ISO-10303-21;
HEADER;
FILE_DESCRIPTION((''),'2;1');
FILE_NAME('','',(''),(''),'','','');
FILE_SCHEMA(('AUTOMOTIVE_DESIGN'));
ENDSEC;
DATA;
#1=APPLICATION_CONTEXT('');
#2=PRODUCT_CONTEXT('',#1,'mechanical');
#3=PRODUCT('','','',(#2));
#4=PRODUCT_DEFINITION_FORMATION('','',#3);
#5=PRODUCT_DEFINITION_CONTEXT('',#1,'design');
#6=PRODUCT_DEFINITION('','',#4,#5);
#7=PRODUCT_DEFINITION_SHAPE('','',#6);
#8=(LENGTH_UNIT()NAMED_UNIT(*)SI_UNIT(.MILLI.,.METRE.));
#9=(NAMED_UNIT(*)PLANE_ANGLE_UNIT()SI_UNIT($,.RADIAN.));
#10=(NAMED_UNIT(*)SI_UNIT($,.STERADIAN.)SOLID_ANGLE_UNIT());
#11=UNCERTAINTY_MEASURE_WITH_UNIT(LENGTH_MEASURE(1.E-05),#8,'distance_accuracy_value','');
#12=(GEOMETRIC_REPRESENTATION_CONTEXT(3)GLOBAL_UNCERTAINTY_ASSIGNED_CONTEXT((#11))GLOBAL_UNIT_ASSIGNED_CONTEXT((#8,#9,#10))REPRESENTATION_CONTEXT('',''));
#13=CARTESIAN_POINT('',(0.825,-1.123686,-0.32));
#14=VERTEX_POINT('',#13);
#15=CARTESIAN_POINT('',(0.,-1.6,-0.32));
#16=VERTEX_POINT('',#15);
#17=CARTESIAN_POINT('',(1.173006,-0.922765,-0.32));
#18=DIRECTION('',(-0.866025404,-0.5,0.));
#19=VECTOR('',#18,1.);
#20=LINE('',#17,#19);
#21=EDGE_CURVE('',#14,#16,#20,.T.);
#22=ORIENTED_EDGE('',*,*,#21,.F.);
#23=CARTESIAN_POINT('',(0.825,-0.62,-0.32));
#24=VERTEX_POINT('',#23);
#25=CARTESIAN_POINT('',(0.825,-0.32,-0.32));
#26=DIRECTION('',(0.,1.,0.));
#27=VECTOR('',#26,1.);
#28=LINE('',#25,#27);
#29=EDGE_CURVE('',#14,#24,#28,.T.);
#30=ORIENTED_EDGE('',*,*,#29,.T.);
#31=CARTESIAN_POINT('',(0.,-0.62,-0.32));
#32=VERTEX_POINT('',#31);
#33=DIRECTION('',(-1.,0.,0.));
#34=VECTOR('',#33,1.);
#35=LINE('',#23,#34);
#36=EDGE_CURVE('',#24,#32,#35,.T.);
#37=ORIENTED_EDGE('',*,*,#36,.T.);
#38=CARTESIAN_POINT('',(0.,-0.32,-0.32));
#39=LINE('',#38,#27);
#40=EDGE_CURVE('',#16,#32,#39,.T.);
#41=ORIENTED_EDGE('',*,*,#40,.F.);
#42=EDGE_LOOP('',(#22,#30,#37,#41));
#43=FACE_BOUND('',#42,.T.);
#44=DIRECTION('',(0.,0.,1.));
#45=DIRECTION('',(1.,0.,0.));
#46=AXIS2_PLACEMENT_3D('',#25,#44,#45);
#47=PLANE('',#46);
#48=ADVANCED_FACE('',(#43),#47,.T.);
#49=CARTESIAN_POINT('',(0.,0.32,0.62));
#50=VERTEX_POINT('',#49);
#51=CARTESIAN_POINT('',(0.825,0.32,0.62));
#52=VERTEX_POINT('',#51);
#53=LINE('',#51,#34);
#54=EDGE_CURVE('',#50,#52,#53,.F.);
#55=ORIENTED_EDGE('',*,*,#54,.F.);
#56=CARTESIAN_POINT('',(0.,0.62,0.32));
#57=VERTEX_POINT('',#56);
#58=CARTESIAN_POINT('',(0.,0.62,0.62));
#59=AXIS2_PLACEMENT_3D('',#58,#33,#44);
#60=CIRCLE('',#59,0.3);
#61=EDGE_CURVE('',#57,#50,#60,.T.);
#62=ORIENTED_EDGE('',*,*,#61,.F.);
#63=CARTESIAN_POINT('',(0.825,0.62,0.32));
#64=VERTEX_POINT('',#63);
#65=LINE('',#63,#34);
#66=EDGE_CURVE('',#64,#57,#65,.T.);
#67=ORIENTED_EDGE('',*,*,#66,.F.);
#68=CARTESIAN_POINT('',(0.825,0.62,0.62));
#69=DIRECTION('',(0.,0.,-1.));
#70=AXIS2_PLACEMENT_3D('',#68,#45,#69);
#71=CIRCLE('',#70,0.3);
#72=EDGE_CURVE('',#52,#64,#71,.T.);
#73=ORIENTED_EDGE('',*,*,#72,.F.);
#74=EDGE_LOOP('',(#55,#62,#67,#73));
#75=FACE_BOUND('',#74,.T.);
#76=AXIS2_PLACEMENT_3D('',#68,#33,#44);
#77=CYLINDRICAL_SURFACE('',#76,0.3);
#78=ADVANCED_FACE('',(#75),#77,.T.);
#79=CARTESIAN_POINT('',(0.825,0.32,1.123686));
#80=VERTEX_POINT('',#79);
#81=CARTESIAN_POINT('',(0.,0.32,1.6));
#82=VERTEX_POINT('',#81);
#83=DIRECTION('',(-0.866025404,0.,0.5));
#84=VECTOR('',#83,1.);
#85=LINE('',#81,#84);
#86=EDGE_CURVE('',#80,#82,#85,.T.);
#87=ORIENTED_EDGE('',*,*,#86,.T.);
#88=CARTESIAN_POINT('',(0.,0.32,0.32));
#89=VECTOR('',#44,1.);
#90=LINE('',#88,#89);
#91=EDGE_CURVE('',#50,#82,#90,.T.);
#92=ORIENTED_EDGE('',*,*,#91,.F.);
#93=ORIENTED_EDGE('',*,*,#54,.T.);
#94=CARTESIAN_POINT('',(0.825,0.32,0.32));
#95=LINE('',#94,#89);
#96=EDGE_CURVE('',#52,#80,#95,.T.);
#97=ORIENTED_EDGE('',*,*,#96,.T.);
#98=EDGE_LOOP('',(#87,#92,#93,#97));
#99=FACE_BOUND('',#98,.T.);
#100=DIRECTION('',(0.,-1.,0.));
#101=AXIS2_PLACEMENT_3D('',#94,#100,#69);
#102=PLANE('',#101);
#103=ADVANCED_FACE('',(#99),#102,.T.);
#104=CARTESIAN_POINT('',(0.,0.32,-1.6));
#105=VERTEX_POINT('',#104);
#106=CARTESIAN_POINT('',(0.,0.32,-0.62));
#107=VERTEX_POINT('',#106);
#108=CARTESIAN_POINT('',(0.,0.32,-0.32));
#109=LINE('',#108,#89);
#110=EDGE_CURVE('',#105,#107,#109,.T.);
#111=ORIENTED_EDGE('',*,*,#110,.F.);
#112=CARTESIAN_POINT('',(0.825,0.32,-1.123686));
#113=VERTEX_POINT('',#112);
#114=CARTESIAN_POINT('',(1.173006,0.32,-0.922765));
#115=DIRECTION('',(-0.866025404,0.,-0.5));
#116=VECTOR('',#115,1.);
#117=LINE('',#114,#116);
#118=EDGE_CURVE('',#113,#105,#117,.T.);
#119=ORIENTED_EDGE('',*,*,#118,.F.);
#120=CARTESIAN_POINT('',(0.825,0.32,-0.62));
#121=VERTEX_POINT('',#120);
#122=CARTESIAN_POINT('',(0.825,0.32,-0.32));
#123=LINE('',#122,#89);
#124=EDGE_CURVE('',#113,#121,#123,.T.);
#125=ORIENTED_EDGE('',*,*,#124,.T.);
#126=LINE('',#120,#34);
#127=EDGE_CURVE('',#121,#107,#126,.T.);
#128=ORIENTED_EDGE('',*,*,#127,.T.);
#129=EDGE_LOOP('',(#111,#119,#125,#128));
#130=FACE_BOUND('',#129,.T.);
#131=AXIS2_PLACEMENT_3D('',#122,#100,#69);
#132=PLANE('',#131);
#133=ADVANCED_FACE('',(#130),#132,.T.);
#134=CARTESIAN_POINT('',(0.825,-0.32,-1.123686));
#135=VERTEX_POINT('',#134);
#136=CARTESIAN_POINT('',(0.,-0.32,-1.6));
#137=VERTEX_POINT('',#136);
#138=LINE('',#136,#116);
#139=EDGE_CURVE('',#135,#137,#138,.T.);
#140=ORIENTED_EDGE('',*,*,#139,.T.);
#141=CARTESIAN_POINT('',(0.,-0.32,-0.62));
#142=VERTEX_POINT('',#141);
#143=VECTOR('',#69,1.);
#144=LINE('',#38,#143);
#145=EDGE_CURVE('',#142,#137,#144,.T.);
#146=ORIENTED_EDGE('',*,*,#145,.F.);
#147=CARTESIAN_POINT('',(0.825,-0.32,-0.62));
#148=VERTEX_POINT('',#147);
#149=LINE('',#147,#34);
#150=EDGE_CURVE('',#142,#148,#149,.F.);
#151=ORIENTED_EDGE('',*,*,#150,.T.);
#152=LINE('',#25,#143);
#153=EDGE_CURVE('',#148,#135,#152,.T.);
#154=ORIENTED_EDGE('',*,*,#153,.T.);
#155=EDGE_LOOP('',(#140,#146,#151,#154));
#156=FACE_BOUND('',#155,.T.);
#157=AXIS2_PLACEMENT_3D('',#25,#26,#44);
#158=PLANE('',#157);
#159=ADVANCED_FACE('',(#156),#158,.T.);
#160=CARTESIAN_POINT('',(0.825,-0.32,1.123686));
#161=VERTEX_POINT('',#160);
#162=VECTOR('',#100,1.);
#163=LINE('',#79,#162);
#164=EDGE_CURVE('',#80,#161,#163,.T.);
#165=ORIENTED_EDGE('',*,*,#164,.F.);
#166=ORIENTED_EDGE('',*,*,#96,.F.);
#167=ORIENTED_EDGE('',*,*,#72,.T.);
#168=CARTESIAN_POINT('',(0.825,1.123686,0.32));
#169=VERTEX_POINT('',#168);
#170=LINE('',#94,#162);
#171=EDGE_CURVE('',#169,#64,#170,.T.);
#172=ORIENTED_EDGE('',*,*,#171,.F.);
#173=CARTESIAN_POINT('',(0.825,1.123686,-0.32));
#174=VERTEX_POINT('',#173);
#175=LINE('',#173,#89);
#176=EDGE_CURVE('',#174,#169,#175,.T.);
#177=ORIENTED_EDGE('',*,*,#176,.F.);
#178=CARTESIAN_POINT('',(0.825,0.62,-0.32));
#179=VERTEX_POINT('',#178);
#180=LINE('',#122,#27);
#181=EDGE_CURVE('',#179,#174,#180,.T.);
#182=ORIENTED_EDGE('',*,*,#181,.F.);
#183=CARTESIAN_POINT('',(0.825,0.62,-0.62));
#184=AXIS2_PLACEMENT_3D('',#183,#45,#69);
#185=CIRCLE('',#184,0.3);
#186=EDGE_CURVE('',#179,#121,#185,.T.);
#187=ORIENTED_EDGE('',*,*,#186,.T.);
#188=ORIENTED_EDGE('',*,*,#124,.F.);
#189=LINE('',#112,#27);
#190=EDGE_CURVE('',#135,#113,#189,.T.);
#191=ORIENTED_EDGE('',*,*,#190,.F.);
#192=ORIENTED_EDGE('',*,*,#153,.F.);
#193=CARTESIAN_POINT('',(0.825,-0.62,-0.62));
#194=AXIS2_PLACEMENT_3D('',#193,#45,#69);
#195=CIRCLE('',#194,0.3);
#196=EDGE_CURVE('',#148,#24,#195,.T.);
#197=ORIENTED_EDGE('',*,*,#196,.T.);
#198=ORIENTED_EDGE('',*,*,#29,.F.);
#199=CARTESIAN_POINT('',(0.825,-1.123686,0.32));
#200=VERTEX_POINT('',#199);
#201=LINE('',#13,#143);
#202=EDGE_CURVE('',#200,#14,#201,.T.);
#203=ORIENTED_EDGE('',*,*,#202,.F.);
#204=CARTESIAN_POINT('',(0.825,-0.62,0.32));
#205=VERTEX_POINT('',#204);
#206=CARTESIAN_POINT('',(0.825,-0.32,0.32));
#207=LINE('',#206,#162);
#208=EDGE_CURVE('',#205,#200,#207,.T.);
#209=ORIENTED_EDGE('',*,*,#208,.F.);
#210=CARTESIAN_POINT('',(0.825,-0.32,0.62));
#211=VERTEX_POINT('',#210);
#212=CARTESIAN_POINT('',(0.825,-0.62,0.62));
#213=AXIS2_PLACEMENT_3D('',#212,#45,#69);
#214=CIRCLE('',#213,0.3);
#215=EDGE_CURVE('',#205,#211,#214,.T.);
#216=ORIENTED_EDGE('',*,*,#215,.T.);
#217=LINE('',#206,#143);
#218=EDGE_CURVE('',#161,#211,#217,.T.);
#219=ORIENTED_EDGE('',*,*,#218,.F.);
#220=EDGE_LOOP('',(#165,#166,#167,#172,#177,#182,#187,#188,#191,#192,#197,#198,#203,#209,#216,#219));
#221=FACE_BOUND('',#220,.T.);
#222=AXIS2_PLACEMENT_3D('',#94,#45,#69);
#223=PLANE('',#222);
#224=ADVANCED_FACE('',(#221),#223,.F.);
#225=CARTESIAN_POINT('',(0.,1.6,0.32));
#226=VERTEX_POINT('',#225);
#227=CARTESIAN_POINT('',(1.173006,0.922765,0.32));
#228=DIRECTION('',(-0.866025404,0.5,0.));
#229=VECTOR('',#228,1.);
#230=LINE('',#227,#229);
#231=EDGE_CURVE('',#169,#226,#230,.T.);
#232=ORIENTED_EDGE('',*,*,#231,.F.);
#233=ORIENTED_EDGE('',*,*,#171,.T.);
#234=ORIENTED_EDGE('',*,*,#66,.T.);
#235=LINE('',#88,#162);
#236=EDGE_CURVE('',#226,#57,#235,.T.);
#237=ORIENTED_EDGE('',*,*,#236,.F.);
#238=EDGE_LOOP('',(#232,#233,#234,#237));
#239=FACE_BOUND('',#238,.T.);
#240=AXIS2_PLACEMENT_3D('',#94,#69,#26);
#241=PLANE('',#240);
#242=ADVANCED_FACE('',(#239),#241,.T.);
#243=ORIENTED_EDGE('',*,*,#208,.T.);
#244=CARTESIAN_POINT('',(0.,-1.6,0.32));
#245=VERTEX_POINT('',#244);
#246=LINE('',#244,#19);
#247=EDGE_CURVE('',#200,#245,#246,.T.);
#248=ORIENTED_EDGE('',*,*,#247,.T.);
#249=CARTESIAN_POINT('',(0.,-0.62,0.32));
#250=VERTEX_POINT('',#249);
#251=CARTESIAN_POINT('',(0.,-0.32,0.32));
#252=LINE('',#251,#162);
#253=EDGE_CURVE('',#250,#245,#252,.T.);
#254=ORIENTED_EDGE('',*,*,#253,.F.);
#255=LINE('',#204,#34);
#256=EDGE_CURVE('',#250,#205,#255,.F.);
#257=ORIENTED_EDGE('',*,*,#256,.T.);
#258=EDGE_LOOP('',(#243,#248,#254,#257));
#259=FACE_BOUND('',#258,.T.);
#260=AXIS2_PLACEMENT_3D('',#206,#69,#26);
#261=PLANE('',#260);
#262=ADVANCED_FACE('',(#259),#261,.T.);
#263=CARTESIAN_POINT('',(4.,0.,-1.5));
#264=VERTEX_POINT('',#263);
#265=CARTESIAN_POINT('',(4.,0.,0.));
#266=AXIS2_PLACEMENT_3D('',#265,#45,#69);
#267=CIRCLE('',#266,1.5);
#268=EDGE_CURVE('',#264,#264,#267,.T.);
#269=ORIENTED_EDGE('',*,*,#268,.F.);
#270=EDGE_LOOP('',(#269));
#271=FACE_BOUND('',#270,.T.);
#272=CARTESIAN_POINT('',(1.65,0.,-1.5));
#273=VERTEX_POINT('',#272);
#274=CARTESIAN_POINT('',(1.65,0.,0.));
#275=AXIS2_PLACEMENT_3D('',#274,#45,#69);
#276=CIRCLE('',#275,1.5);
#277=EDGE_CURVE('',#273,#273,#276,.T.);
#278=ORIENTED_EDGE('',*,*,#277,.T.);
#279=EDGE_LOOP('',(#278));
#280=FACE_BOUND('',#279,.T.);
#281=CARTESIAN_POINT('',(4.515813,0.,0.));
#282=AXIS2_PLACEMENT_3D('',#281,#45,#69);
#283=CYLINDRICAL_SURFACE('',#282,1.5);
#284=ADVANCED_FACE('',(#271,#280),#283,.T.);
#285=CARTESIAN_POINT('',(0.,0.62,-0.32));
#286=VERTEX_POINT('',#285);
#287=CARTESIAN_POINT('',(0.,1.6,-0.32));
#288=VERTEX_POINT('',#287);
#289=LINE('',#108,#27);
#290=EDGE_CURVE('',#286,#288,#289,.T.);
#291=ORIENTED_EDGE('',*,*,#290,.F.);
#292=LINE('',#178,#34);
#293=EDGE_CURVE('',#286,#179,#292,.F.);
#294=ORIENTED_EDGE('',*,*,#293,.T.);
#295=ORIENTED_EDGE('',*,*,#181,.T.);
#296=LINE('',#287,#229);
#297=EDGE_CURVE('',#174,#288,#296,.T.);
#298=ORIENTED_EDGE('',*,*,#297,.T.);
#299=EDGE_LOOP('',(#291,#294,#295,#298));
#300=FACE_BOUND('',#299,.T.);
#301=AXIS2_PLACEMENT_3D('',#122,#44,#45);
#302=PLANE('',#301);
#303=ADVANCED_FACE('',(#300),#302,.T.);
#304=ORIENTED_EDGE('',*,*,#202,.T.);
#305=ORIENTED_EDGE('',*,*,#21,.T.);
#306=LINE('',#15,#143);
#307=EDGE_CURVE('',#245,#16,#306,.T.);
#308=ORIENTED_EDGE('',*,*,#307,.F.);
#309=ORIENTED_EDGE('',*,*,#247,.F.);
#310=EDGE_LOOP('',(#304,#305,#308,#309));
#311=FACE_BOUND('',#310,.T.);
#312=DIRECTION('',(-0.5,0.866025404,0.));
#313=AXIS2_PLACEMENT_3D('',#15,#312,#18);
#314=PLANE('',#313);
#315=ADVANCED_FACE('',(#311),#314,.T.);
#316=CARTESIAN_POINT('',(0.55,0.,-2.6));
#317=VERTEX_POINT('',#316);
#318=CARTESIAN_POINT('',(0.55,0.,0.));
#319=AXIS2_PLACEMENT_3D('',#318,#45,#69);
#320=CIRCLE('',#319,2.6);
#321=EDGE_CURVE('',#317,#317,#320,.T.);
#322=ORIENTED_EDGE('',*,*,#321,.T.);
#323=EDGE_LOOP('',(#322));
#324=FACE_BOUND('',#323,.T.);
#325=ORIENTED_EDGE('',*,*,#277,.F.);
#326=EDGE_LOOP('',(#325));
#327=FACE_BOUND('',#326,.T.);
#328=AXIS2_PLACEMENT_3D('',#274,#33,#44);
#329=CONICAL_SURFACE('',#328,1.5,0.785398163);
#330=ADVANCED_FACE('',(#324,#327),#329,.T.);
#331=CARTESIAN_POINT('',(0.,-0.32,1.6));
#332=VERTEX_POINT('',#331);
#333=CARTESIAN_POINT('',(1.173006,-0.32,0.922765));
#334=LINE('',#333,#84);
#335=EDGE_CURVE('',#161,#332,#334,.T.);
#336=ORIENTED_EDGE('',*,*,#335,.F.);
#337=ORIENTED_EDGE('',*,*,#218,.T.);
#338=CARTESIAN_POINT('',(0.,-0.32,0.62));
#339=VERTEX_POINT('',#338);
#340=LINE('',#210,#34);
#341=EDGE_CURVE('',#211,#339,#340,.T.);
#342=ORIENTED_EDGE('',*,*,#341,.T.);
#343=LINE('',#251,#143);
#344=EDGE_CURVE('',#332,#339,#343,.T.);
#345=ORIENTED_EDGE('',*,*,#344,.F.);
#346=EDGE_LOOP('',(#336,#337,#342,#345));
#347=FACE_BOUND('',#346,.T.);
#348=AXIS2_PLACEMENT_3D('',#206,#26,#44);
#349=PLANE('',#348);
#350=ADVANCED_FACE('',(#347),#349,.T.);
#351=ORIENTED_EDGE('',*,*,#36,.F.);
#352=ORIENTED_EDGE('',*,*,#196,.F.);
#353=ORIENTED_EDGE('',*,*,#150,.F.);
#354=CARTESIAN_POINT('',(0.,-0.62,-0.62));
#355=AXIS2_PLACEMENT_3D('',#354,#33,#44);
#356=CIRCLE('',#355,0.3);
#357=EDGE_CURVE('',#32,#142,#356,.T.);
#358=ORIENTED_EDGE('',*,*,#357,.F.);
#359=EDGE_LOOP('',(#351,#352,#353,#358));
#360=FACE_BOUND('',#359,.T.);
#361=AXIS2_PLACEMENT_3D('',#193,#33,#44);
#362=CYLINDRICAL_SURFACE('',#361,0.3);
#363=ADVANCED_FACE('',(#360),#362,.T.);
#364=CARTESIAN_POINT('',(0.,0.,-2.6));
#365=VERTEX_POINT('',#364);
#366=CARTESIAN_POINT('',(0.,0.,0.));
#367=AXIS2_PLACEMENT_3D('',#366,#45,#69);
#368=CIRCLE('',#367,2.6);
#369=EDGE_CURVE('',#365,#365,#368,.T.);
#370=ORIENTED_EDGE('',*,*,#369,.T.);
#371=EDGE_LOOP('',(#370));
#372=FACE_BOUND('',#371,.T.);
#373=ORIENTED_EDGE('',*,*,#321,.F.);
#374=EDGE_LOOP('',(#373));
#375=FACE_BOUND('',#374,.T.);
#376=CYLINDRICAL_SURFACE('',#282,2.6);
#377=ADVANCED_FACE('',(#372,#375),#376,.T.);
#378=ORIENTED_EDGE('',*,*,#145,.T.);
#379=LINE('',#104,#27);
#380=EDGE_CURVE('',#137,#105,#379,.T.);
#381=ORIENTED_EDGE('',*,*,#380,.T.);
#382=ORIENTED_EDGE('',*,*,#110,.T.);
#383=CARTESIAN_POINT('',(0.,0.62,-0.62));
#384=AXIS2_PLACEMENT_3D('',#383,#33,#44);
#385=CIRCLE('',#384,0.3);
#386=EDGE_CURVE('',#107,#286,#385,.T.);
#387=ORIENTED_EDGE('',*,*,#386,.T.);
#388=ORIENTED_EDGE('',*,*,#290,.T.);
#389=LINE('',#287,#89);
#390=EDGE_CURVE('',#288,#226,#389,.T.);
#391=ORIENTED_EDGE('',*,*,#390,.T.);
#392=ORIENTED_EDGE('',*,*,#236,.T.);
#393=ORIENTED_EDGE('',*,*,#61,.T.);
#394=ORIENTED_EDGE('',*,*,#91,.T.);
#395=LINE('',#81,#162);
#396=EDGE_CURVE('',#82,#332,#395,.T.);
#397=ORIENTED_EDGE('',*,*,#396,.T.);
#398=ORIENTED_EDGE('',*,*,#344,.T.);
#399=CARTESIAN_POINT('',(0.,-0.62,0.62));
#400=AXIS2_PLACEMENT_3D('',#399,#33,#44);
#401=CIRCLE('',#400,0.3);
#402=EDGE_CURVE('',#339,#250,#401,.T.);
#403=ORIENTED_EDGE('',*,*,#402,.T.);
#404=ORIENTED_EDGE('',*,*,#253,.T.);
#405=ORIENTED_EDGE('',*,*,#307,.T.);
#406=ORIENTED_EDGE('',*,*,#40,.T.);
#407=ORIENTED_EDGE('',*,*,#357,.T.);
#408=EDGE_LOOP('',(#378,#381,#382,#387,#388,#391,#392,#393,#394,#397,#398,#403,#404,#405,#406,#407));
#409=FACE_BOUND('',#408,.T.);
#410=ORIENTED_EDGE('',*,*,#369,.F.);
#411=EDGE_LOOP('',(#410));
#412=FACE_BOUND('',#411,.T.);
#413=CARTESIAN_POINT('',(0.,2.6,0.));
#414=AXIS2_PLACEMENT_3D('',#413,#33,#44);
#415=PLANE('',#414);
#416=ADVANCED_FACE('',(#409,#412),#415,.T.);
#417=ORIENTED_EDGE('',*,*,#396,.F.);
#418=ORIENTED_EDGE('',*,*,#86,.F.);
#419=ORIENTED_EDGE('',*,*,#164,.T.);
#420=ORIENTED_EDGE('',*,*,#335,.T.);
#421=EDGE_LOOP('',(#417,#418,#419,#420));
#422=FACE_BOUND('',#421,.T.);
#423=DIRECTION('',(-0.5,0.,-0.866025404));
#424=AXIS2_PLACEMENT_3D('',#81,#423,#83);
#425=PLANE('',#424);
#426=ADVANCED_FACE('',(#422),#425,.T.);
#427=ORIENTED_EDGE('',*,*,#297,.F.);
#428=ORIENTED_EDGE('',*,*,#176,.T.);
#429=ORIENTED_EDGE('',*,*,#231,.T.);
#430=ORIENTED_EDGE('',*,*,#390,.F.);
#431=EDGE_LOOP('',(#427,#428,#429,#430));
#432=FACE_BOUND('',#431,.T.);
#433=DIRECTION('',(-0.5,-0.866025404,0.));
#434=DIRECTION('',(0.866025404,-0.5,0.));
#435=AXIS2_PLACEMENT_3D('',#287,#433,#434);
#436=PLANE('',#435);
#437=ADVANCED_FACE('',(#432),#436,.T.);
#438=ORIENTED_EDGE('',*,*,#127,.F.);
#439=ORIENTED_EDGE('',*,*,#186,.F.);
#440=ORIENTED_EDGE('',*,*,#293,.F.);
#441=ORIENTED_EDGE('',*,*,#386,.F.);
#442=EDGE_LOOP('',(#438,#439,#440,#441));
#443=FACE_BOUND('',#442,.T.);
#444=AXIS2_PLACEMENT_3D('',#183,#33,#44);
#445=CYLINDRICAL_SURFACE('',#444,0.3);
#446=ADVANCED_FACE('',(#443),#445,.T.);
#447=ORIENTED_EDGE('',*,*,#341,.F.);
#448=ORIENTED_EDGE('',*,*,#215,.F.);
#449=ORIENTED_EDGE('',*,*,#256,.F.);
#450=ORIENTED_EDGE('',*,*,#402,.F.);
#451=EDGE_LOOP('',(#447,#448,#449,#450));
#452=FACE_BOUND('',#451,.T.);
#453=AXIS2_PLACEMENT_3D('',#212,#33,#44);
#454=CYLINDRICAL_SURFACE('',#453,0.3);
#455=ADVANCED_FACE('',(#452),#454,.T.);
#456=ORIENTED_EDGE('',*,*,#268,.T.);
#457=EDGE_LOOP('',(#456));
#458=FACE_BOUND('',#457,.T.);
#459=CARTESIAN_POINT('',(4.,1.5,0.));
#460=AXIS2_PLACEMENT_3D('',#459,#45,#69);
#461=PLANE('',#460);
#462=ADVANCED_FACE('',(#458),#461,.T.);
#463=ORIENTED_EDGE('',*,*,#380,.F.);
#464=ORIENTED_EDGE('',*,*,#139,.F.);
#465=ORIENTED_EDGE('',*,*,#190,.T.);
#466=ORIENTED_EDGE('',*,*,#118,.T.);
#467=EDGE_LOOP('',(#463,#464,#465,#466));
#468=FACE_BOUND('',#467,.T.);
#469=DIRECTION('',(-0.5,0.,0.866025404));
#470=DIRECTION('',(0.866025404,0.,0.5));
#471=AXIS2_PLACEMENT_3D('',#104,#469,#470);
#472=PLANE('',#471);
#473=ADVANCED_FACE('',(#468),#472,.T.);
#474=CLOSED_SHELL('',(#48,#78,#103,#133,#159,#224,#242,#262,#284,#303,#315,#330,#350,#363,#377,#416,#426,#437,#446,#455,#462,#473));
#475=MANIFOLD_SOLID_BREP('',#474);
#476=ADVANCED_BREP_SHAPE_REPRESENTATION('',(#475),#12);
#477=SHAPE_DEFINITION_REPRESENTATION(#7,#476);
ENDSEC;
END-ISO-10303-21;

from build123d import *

# Parameters (mm, degrees)
CROSSRECESS_DEPTH = 0.825
DRAFT9_ANGLE      = 30
FILLET5_R         = 0.3


with BuildPart() as part:
    # Sketch1 → Base (revolve)
    with BuildSketch(Plane.XY, mode=Mode.PRIVATE) as base_sk:
        Polygon((4, 1.5), (2.65, 1.5), (1.65, 1.5), (0.55, 2.6), (0, 2.6), (0, 0), (4, 0), align=None)
    revolve(base_sk.sketch.rotate(Axis((4.515812911, 0, 0), (-1, 0, 0)), 90), axis=Axis((4.515812911, 0, 0), (-1, 0, 0)))

    # Sketch6 → CrossRecess (cut)
    with BuildSketch(Plane(origin=(0, 0, 0), x_dir=(0, 0, -1), z_dir=(1, 0, 0))):
        Polygon((0.32, 0.32), (0.32, 1.6), (-0.32, 1.6), (-0.32, 0.32), (-1.6, 0.32), (-1.6, -0.32), (-0.32, -0.32), (-0.32, -1.6), (0.32, -1.6), (0.32, -0.32), (1.6, -0.32), (1.6, 0.32), align=None)
    extrude(amount=CROSSRECESS_DEPTH, mode=Mode.SUBTRACT)

    # Draft9
    draft9_faces = [part.faces().sort_by_distance(p)[0] for p in [
        (0.4125, 1.6, 0),
        (0.4125, 0, 1.6),
        (0.4125, -1.6, 0),
        (0.4125, 0, -1.6),
    ]]
    draft(draft9_faces, Plane(origin=(0, 2.6, 0), x_dir=(0, 0, -1), z_dir=(-1, 0, 0)), DRAFT9_ANGLE)

    # Fillet5
    fillet5_edges = [part.edges().sort_by_distance(p)[0] for p in [
        (0.4125, 0.32, 0.32),
        (0.4125, -0.32, 0.32),
        (0.4125, -0.32, -0.32),
        (0.4125, 0.32, -0.32),
    ]]
    fillet(fillet5_edges, radius=FILLET5_R)


solid = part.part
